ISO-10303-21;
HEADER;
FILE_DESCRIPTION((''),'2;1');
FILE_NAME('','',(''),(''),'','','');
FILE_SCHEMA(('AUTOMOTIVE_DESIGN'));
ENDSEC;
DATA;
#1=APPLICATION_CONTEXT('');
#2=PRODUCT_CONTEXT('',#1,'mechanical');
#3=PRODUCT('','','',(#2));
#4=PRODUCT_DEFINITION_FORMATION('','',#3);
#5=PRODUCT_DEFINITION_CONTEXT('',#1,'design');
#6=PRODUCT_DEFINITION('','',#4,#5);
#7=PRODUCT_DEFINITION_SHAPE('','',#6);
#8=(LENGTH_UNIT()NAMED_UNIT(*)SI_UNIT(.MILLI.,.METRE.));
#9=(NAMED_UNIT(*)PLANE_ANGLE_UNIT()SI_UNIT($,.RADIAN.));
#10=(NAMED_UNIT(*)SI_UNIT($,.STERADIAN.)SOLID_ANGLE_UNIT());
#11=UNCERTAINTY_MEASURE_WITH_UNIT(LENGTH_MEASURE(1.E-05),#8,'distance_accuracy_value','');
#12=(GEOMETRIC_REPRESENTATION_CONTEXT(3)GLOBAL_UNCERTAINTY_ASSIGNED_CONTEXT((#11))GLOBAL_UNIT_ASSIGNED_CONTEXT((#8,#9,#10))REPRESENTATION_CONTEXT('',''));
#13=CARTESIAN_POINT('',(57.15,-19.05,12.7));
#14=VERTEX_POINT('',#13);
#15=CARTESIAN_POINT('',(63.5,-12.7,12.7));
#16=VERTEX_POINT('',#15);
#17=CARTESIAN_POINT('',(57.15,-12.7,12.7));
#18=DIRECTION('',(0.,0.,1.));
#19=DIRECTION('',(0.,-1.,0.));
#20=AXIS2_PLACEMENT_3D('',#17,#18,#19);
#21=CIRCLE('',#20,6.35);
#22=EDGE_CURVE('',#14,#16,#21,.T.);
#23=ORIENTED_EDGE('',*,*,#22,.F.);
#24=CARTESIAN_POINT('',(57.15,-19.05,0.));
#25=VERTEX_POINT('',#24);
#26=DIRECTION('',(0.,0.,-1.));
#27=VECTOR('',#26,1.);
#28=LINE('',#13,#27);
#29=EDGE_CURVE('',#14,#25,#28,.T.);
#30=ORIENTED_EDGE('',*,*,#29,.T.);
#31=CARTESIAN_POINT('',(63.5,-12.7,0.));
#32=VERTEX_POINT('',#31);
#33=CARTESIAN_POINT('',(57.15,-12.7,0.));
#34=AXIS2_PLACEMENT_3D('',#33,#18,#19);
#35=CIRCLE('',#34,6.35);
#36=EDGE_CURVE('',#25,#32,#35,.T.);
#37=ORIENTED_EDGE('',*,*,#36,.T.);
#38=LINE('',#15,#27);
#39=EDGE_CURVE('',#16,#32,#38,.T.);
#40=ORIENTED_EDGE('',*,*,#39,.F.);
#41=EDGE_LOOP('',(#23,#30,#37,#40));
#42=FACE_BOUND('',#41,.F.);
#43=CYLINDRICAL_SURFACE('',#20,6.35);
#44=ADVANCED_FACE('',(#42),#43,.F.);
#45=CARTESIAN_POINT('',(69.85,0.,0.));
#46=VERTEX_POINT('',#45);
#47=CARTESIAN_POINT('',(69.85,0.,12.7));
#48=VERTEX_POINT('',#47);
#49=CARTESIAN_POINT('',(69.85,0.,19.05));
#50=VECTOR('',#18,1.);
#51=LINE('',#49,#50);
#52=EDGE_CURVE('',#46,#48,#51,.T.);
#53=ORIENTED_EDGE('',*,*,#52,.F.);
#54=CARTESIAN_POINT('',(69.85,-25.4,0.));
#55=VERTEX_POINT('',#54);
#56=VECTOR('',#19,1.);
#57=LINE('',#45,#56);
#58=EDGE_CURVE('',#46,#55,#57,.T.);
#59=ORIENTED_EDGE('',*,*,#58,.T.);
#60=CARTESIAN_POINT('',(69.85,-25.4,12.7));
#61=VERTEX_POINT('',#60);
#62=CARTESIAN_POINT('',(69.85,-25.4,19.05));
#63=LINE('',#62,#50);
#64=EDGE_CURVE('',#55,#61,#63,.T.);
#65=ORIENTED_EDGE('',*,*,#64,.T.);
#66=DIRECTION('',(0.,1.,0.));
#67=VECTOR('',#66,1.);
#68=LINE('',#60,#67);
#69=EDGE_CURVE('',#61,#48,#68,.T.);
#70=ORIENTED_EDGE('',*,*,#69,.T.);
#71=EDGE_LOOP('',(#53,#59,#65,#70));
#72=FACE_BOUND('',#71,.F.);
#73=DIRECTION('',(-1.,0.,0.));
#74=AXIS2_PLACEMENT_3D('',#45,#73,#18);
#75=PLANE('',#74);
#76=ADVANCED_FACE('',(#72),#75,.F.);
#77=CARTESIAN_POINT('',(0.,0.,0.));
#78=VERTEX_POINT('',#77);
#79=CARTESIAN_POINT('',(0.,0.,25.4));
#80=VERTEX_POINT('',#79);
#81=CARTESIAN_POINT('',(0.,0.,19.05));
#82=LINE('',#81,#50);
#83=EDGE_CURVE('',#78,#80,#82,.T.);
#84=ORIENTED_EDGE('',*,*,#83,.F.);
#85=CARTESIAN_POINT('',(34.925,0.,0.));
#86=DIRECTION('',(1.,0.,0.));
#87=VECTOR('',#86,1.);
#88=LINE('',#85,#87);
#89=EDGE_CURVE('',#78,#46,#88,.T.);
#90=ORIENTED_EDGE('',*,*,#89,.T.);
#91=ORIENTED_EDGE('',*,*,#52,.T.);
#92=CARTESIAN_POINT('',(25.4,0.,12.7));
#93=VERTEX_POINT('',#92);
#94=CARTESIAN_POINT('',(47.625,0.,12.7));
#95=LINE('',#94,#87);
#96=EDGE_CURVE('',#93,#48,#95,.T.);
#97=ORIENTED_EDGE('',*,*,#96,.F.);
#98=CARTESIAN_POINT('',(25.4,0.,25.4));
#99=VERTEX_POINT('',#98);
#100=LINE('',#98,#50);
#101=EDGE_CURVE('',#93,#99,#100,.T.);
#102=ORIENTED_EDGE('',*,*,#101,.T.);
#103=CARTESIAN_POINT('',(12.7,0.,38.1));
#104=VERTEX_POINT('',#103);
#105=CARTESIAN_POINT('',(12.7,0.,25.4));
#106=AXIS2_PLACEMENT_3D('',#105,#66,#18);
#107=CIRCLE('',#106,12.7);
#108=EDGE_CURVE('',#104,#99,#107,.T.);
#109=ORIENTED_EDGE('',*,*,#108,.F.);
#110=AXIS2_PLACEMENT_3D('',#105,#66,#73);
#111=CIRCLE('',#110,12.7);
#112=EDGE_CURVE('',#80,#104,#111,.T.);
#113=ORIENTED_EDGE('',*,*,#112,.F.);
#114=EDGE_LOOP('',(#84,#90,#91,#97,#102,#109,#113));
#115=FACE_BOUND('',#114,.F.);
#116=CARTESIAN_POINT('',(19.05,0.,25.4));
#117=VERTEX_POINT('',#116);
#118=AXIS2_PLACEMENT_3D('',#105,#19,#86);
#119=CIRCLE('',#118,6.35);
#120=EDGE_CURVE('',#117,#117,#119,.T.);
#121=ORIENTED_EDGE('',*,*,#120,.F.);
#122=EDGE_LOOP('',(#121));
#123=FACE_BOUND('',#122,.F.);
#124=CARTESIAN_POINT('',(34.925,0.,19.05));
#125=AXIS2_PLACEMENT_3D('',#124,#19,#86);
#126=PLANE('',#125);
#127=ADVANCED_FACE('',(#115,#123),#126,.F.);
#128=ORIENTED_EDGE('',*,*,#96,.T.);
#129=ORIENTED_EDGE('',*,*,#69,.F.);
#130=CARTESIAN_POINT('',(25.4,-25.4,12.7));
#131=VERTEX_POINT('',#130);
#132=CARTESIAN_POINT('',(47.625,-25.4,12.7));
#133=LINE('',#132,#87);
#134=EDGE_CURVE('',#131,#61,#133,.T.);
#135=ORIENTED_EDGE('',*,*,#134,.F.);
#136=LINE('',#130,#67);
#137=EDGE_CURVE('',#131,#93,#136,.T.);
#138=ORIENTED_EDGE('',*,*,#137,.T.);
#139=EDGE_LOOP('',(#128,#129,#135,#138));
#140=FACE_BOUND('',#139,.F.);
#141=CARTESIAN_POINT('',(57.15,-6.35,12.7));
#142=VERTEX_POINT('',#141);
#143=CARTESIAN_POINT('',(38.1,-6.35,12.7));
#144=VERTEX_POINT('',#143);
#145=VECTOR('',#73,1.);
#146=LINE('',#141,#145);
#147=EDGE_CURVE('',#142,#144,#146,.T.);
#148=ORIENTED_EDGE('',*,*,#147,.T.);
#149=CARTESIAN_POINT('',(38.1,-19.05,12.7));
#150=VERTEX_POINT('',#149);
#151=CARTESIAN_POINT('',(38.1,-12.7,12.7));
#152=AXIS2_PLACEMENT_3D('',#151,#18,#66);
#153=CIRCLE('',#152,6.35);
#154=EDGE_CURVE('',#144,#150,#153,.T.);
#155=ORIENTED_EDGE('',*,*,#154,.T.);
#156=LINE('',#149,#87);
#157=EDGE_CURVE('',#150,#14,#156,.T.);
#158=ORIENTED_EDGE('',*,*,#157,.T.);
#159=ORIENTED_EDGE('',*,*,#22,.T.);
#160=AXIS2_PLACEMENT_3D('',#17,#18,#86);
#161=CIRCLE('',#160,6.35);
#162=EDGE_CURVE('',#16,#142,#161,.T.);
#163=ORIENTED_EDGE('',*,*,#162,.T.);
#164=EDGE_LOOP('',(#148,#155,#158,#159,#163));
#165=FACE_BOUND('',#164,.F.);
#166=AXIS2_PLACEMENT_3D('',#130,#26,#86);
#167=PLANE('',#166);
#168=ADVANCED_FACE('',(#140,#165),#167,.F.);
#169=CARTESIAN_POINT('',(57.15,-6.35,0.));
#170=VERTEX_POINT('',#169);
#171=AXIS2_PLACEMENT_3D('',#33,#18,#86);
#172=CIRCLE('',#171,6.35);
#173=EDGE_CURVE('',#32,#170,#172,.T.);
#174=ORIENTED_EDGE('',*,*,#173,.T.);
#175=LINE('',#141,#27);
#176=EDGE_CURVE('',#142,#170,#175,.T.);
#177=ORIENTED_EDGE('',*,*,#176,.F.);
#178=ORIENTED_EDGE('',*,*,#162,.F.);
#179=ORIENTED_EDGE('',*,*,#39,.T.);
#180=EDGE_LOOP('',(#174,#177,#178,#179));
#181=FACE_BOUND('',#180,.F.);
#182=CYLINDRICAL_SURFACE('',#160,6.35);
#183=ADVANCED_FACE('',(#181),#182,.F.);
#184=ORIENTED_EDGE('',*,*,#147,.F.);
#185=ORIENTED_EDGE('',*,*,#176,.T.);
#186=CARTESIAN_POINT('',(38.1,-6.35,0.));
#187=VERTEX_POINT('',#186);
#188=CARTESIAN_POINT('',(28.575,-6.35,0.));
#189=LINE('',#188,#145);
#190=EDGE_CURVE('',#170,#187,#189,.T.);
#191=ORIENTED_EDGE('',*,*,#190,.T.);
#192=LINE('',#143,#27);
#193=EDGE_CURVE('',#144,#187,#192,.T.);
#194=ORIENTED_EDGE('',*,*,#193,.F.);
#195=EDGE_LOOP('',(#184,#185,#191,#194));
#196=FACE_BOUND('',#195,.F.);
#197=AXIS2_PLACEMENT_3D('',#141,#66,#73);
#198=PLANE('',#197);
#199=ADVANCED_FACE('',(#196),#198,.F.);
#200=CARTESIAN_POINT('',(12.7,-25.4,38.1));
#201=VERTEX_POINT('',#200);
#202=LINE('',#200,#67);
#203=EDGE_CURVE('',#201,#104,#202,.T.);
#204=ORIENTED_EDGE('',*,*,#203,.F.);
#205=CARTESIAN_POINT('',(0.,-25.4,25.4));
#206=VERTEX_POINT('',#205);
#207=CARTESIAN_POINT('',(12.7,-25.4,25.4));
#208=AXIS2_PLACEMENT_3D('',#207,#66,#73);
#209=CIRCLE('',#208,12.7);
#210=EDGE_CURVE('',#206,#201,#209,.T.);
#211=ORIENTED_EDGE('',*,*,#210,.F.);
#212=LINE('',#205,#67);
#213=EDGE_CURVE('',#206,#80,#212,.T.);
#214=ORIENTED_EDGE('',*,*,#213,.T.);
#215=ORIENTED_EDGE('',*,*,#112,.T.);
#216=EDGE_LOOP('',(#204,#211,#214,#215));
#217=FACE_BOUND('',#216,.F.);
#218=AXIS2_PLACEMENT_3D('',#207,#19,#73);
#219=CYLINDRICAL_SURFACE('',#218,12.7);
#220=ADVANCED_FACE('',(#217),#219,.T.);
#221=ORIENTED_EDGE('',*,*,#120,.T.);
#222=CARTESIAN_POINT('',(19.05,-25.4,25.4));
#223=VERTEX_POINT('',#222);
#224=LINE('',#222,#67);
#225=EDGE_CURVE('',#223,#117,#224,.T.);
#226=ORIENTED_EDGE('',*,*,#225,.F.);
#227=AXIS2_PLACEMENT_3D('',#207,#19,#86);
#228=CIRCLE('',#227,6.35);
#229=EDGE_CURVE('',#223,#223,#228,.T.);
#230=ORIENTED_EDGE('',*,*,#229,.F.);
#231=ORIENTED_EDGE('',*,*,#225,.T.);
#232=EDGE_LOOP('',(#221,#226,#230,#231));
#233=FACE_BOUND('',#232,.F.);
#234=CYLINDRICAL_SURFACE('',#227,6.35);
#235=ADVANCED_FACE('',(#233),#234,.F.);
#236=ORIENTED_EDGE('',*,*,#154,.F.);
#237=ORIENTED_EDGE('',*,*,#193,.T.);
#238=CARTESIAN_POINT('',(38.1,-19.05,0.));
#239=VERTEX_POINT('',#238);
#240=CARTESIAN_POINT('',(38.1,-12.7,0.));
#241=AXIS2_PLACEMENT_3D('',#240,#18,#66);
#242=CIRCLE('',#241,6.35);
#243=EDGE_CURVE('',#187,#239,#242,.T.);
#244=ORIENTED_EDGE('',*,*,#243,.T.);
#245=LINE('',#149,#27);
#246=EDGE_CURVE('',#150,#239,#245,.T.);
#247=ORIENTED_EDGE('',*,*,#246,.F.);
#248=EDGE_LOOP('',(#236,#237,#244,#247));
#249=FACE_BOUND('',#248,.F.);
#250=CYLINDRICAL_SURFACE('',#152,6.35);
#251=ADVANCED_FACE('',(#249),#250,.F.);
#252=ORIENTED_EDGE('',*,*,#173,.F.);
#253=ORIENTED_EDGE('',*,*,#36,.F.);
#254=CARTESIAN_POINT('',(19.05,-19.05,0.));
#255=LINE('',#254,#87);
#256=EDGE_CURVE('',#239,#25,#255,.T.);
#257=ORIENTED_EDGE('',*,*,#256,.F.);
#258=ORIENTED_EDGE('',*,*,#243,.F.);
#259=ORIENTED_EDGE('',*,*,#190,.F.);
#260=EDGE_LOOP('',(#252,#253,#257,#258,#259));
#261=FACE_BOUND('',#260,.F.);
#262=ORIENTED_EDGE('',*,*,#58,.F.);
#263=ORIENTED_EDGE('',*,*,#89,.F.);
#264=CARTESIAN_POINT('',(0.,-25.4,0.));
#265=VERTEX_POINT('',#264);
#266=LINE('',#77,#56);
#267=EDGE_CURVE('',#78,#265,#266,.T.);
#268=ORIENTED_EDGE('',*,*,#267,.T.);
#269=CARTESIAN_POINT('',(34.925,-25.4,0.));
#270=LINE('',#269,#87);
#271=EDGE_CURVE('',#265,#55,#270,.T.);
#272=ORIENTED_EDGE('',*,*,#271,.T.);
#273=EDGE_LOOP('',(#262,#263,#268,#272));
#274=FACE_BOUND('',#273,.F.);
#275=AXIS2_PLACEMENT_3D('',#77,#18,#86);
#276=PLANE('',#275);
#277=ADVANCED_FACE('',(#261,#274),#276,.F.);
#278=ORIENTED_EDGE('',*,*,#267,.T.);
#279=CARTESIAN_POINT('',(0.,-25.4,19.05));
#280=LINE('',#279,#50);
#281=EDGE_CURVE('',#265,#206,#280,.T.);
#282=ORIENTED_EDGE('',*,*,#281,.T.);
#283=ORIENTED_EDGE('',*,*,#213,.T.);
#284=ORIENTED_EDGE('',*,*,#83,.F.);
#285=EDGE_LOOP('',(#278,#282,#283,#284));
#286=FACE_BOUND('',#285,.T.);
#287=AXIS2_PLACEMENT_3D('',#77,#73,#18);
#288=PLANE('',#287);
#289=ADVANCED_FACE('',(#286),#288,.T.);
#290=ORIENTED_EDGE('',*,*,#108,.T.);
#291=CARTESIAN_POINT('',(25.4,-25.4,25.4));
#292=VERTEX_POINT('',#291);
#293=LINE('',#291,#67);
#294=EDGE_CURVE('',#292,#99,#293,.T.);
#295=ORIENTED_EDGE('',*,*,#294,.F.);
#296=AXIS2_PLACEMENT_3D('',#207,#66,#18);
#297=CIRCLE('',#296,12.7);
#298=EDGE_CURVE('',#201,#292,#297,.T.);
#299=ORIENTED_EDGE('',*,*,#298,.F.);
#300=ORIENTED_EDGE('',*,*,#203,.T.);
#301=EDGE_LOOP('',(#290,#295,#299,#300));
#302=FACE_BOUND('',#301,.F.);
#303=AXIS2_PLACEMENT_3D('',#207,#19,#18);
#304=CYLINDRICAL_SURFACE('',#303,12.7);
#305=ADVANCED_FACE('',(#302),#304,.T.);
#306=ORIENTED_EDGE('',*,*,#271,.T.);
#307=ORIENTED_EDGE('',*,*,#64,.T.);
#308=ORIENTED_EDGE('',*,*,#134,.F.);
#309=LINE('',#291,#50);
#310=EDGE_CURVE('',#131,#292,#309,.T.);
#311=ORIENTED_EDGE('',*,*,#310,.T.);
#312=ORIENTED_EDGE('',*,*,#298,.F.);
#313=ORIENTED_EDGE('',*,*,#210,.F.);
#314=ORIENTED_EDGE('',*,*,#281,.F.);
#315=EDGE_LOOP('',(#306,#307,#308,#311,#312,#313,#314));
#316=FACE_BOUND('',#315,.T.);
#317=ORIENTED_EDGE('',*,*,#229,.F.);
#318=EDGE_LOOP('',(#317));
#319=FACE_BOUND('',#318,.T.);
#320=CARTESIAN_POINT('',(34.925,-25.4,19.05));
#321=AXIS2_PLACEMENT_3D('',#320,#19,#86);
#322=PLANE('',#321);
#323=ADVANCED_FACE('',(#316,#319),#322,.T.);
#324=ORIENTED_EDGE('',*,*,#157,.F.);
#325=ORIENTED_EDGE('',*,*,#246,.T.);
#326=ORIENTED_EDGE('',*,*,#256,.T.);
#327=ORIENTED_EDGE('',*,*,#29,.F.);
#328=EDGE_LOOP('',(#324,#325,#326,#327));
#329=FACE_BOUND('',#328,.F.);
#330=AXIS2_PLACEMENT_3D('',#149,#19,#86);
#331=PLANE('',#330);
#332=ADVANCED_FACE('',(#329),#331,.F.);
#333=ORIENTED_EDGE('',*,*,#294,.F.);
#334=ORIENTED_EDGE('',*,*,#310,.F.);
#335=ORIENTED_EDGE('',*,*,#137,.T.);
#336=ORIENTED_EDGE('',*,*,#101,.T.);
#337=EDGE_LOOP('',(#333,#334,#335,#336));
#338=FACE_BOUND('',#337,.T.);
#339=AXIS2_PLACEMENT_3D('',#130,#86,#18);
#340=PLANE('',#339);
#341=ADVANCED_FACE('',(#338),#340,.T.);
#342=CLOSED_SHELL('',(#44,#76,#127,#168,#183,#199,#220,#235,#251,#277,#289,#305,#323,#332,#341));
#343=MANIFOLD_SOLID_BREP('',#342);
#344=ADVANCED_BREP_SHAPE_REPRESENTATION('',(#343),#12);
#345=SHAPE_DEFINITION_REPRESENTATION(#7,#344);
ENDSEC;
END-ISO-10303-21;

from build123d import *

# Parameters (mm, degrees)
F0_W     = 69.85
F0_H     = 38.1
F1_DEPTH = 25.4
F2_W     = 44.45
F2_H     = 25.4
F3_DEPTH = 25.4
F4_R     = 6.35
F5_DEPTH = 25.4
F7_DEPTH = 25.4
F9_DEPTH = 25.4


with BuildPart() as f1:
    # F0 (on Front) → F1 (new body)
    with BuildSketch(Plane.XZ):
        with Locations((34.925, 19.05)):
            Rectangle(F0_W, F0_H)
    extrude(amount=F1_DEPTH)

    # F2 (on face) → F3 (cut)
    with BuildSketch(Plane.XZ.offset(25.4)):
        with Locations((47.625, 25.4)):
            Rectangle(F2_W, F2_H)
    extrude(amount=-F3_DEPTH, mode=Mode.SUBTRACT)

    # F4 (on face) → F5 (cut)
    with BuildSketch(Plane.XZ.offset(25.4)):
        with Locations((12.7, 25.4)):
            Circle(F4_R)
    extrude(amount=-F5_DEPTH, mode=Mode.SUBTRACT)

    # F6 (on face) → F7 (cut)
    with BuildSketch(Plane.XZ.offset(25.4)):
        with BuildLine():
            ThreePointArc((0, 25.4), (3.7197438789, 34.3802561211), (12.7, 38.1))
            Line((12.7, 38.1), (0, 38.1))
            Line((0, 38.1), (0, 25.4))
        make_face()
        with BuildLine():
            ThreePointArc((12.7, 38.1), (21.6802561211, 34.3802561211), (25.4, 25.4))
            Line((25.4, 25.4), (25.4, 38.1))
            Line((25.4, 38.1), (12.7, 38.1))
        make_face()
    extrude(amount=-F7_DEPTH, mode=Mode.SUBTRACT)

    # F8 (on face) → F9 (cut)
    with BuildSketch(Plane.XY.offset(12.7)):
        with BuildLine():
            ThreePointArc((38.1, -19.05), (42.5901280605, -17.1901280605), (44.45, -12.7))
            ThreePointArc((44.45, -12.7), (42.5901280605, -8.2098719395), (38.1, -6.35))
            ThreePointArc((38.1, -6.35), (31.75, -12.7), (38.1, -19.05))
        make_face()
        with BuildLine():
            ThreePointArc((38.1, -6.35), (42.5901280605, -8.2098719395), (44.45, -12.7))
            ThreePointArc((44.45, -12.7), (42.5901280605, -17.1901280605), (38.1, -19.05))
            Line((38.1, -19.05), (57.15, -19.05))
            ThreePointArc((57.15, -19.05), (50.8, -12.7), (57.15, -6.35))
            Line((57.15, -6.35), (38.1, -6.35))
        make_face()
        with BuildLine():
            Line((57.15, -19.05), (57.15, -6.35))
            ThreePointArc((57.15, -6.35), (50.8, -12.7), (57.15, -19.05))
        make_face()
        with BuildLine():
            ThreePointArc((63.5, -12.7), (61.6401280605, -8.2098719395), (57.15, -6.35))
            Line((57.15, -6.35), (57.15, -19.05))
            ThreePointArc((57.15, -19.05), (61.6401280605, -17.1901280605), (63.5, -12.7))
        make_face()
    extrude(amount=-F9_DEPTH, mode=Mode.SUBTRACT)


solid = f1.part
